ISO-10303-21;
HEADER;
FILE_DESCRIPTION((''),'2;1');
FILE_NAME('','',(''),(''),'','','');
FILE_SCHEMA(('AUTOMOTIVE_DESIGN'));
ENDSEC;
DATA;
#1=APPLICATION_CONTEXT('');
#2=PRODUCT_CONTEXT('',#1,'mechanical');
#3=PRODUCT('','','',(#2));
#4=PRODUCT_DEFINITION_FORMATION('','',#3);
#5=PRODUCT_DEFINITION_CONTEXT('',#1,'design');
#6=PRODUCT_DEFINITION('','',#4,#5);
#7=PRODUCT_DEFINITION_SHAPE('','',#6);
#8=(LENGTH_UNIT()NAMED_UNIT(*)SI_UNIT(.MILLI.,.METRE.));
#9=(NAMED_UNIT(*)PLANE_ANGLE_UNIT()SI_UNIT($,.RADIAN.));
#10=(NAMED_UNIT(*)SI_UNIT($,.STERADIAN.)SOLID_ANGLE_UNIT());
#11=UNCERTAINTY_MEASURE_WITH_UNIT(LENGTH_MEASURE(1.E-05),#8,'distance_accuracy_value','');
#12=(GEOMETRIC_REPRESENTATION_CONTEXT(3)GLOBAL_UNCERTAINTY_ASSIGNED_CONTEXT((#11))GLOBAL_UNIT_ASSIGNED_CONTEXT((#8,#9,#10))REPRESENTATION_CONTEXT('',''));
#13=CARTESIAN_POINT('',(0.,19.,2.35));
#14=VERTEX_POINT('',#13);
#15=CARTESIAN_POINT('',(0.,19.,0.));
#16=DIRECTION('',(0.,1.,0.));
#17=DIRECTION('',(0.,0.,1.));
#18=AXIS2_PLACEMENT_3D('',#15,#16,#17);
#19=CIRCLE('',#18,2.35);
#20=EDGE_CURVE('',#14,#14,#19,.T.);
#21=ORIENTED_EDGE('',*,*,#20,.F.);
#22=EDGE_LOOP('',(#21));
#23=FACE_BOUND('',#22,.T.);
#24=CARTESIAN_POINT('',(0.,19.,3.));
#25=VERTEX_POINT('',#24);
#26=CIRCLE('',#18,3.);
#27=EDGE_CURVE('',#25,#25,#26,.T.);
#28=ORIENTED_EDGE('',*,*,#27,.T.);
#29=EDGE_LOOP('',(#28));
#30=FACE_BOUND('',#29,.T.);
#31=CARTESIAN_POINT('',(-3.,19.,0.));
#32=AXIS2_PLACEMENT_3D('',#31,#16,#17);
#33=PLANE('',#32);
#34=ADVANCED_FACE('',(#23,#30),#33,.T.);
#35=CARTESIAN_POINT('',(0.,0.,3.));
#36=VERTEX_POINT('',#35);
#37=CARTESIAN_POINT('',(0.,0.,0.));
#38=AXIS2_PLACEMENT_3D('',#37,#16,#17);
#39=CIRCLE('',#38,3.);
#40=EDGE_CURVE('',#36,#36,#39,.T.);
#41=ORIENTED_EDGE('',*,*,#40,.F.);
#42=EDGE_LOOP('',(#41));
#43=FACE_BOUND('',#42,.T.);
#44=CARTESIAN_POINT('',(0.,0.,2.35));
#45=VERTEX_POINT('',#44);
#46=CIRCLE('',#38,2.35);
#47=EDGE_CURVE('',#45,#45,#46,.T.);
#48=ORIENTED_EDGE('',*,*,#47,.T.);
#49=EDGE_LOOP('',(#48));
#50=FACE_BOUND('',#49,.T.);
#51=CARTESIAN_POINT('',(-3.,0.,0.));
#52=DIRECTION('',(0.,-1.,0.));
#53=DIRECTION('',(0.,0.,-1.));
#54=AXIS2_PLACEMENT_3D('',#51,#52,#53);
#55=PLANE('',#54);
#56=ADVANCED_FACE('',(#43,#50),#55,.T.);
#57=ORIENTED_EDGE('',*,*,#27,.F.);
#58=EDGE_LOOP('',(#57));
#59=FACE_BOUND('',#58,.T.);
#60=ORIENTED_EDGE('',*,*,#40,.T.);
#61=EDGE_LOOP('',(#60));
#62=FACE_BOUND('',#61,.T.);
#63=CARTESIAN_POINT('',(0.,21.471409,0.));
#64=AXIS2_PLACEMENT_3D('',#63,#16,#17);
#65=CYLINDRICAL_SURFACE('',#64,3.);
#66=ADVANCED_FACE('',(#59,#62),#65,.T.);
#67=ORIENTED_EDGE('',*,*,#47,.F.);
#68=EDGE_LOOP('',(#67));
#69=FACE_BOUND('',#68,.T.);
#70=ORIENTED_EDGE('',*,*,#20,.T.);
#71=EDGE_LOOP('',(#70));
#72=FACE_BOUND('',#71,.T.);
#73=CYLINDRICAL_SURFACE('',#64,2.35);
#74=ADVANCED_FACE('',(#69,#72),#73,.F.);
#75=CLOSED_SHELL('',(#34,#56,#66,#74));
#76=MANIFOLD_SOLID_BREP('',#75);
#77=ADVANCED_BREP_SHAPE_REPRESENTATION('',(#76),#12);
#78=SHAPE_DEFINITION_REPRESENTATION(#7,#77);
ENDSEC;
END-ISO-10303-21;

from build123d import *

# Parameters (mm, degrees)
SKETCH1_W = 0.65
SKETCH1_H = 19


with BuildPart() as part:
    # Sketch1 → Revolve1 (revolve)
    with BuildSketch(Plane.XY, mode=Mode.PRIVATE) as revolve1_sk:
        with Locations((-2.675, 9.5)):
            Rectangle(SKETCH1_W, SKETCH1_H)
    revolve(revolve1_sk.sketch.rotate(Axis((0, 21.471409418, 0), (0, -1, 0)), 270), axis=Axis((0, 21.471409418, 0), (0, -1, 0)))


solid = part.part
